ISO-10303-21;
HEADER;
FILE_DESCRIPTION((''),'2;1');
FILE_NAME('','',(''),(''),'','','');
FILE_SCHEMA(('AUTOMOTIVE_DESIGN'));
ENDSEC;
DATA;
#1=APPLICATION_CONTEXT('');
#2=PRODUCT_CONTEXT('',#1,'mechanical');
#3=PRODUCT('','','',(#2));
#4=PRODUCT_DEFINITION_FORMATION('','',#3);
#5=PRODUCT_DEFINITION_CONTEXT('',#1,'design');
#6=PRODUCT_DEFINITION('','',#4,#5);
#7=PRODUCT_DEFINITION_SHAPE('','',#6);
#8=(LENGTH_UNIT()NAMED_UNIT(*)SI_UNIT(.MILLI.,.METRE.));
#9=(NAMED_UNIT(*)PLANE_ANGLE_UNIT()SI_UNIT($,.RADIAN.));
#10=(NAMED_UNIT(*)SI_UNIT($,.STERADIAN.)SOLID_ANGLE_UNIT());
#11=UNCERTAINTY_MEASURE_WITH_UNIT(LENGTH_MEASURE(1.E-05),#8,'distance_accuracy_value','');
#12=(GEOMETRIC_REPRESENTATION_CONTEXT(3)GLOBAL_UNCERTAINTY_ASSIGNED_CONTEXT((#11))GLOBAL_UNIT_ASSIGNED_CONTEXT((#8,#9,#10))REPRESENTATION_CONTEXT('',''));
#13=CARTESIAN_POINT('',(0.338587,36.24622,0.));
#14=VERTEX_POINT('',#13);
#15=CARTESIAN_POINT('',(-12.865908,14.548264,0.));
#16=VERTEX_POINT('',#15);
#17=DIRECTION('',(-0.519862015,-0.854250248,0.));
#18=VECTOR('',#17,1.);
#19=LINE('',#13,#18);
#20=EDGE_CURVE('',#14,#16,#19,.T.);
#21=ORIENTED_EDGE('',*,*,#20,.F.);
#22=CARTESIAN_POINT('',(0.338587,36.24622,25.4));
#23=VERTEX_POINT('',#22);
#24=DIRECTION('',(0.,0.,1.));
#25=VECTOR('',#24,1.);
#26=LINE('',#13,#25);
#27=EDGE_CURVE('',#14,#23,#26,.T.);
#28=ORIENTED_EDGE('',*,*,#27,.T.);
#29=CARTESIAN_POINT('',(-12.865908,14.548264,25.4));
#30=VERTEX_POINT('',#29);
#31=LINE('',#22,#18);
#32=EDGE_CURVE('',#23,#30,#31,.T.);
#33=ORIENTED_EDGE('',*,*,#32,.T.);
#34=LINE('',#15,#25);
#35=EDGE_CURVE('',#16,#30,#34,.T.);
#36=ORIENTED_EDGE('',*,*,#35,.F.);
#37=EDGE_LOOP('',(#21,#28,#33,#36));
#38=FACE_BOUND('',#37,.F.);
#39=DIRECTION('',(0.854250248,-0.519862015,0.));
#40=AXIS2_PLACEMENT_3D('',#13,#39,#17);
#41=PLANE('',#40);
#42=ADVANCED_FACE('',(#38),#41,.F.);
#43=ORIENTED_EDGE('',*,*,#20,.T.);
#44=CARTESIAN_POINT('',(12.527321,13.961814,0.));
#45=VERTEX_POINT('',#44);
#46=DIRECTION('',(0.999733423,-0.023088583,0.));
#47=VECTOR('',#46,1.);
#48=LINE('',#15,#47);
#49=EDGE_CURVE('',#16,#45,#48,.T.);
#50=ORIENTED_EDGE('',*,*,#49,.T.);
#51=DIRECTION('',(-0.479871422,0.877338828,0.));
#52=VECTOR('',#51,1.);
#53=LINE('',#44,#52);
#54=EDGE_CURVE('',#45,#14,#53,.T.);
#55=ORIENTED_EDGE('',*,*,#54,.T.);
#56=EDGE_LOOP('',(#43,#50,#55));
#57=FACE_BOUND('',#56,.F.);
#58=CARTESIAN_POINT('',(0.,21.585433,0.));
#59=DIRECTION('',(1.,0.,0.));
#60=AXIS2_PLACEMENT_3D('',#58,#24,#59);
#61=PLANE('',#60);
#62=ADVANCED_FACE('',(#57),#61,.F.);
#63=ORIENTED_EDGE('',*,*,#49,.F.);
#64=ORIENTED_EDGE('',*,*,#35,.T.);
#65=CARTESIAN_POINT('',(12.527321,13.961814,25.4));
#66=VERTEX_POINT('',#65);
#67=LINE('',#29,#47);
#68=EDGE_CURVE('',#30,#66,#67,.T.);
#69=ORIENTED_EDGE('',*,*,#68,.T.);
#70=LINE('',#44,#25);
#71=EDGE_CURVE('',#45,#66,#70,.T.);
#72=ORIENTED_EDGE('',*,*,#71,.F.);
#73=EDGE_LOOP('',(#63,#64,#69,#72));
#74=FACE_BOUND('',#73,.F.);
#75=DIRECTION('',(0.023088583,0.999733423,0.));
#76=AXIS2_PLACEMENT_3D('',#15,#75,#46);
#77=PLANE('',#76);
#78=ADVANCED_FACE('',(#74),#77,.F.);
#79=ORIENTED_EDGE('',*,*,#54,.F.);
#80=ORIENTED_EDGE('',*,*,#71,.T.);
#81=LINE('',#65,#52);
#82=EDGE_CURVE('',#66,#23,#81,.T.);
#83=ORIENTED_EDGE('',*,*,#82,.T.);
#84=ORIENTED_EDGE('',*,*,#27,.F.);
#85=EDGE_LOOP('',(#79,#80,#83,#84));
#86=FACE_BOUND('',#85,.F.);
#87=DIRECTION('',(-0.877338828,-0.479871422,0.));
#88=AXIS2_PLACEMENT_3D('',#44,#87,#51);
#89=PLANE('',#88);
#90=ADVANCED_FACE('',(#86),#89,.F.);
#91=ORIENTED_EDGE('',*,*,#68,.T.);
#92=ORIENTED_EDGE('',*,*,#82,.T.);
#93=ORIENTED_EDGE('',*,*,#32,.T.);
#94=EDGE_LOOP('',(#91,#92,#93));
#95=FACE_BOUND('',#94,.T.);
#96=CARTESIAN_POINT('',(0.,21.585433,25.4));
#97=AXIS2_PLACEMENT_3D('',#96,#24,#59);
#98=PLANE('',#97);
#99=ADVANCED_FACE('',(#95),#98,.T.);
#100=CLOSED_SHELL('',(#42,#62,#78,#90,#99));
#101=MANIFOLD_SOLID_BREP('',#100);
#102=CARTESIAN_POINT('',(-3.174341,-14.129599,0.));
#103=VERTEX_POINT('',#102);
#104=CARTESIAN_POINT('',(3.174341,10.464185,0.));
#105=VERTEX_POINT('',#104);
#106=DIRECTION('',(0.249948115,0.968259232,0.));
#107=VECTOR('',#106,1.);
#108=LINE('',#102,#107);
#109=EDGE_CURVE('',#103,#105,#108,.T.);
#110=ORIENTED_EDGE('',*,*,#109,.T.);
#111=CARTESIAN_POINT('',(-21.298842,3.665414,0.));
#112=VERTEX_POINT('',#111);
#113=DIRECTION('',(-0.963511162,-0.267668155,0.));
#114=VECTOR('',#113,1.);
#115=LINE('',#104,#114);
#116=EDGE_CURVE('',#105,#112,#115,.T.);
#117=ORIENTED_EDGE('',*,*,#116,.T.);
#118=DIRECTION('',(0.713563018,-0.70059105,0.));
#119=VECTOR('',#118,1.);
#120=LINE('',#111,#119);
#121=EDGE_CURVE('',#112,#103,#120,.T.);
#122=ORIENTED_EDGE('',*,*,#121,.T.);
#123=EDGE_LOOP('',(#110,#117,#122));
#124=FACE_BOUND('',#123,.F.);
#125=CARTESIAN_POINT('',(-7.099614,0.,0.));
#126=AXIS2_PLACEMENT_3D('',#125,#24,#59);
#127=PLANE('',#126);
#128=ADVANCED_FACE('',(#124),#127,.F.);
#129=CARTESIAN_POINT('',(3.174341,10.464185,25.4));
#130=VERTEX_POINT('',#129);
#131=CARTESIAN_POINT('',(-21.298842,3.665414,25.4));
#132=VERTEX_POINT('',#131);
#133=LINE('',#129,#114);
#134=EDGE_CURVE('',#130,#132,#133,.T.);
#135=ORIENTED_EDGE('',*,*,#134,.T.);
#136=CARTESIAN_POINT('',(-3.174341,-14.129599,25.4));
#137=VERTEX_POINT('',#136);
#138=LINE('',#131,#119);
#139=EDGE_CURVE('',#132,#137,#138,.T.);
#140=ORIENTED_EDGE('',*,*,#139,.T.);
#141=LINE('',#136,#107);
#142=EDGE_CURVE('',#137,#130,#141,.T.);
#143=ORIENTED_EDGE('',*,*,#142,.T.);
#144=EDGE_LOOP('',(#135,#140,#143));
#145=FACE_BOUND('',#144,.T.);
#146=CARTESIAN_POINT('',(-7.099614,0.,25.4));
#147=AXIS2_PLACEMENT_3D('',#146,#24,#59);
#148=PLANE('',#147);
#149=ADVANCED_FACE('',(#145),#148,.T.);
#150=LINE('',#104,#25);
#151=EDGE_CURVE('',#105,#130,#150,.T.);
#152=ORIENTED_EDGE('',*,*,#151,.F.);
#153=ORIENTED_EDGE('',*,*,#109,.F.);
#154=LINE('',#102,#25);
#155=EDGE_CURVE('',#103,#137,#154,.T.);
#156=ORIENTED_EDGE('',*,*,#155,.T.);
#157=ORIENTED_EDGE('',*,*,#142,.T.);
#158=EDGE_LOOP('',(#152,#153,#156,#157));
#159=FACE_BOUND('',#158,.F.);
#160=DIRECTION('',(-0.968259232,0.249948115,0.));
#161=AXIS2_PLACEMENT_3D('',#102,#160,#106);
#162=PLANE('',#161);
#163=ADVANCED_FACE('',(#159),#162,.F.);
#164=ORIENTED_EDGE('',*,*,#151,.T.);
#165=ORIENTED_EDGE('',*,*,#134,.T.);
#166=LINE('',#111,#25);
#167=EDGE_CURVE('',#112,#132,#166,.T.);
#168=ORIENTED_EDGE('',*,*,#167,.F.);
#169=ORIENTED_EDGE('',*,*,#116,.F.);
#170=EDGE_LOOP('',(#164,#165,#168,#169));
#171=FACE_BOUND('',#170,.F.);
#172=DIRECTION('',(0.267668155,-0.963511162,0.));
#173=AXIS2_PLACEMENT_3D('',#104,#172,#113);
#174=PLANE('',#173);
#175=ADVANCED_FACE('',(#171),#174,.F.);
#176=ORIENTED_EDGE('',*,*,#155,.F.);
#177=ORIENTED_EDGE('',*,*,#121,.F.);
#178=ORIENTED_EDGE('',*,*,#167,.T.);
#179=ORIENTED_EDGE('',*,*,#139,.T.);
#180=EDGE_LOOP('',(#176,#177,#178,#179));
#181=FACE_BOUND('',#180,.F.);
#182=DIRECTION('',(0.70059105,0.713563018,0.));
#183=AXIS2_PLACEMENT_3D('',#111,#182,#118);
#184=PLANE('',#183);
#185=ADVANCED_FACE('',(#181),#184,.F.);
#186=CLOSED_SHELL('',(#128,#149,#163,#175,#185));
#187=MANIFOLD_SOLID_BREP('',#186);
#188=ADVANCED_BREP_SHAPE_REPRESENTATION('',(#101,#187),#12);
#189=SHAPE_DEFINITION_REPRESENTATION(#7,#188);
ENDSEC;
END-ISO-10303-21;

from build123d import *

# Parameters (mm, degrees)
F1_DEPTH = 25.4
F3_DEPTH = 25.4


with BuildPart() as f1:
    # F0 (on Top) → F1 (new body)
    with BuildSketch(Plane.XY):
        Polygon((-12.865908, 14.548264), (12.527321, 13.961814), (0.338587, 36.24622), align=None)
    extrude(amount=F1_DEPTH)


with BuildPart() as f3:
    # F2 (on Top) → F3 (new body)
    with BuildSketch(Plane.XY):
        Polygon((-3.174341, -14.129599), (3.174341, 10.464185), (-21.298842, 3.665414), align=None)
    extrude(amount=F3_DEPTH)


solid = Compound([f1.part, f3.part])
